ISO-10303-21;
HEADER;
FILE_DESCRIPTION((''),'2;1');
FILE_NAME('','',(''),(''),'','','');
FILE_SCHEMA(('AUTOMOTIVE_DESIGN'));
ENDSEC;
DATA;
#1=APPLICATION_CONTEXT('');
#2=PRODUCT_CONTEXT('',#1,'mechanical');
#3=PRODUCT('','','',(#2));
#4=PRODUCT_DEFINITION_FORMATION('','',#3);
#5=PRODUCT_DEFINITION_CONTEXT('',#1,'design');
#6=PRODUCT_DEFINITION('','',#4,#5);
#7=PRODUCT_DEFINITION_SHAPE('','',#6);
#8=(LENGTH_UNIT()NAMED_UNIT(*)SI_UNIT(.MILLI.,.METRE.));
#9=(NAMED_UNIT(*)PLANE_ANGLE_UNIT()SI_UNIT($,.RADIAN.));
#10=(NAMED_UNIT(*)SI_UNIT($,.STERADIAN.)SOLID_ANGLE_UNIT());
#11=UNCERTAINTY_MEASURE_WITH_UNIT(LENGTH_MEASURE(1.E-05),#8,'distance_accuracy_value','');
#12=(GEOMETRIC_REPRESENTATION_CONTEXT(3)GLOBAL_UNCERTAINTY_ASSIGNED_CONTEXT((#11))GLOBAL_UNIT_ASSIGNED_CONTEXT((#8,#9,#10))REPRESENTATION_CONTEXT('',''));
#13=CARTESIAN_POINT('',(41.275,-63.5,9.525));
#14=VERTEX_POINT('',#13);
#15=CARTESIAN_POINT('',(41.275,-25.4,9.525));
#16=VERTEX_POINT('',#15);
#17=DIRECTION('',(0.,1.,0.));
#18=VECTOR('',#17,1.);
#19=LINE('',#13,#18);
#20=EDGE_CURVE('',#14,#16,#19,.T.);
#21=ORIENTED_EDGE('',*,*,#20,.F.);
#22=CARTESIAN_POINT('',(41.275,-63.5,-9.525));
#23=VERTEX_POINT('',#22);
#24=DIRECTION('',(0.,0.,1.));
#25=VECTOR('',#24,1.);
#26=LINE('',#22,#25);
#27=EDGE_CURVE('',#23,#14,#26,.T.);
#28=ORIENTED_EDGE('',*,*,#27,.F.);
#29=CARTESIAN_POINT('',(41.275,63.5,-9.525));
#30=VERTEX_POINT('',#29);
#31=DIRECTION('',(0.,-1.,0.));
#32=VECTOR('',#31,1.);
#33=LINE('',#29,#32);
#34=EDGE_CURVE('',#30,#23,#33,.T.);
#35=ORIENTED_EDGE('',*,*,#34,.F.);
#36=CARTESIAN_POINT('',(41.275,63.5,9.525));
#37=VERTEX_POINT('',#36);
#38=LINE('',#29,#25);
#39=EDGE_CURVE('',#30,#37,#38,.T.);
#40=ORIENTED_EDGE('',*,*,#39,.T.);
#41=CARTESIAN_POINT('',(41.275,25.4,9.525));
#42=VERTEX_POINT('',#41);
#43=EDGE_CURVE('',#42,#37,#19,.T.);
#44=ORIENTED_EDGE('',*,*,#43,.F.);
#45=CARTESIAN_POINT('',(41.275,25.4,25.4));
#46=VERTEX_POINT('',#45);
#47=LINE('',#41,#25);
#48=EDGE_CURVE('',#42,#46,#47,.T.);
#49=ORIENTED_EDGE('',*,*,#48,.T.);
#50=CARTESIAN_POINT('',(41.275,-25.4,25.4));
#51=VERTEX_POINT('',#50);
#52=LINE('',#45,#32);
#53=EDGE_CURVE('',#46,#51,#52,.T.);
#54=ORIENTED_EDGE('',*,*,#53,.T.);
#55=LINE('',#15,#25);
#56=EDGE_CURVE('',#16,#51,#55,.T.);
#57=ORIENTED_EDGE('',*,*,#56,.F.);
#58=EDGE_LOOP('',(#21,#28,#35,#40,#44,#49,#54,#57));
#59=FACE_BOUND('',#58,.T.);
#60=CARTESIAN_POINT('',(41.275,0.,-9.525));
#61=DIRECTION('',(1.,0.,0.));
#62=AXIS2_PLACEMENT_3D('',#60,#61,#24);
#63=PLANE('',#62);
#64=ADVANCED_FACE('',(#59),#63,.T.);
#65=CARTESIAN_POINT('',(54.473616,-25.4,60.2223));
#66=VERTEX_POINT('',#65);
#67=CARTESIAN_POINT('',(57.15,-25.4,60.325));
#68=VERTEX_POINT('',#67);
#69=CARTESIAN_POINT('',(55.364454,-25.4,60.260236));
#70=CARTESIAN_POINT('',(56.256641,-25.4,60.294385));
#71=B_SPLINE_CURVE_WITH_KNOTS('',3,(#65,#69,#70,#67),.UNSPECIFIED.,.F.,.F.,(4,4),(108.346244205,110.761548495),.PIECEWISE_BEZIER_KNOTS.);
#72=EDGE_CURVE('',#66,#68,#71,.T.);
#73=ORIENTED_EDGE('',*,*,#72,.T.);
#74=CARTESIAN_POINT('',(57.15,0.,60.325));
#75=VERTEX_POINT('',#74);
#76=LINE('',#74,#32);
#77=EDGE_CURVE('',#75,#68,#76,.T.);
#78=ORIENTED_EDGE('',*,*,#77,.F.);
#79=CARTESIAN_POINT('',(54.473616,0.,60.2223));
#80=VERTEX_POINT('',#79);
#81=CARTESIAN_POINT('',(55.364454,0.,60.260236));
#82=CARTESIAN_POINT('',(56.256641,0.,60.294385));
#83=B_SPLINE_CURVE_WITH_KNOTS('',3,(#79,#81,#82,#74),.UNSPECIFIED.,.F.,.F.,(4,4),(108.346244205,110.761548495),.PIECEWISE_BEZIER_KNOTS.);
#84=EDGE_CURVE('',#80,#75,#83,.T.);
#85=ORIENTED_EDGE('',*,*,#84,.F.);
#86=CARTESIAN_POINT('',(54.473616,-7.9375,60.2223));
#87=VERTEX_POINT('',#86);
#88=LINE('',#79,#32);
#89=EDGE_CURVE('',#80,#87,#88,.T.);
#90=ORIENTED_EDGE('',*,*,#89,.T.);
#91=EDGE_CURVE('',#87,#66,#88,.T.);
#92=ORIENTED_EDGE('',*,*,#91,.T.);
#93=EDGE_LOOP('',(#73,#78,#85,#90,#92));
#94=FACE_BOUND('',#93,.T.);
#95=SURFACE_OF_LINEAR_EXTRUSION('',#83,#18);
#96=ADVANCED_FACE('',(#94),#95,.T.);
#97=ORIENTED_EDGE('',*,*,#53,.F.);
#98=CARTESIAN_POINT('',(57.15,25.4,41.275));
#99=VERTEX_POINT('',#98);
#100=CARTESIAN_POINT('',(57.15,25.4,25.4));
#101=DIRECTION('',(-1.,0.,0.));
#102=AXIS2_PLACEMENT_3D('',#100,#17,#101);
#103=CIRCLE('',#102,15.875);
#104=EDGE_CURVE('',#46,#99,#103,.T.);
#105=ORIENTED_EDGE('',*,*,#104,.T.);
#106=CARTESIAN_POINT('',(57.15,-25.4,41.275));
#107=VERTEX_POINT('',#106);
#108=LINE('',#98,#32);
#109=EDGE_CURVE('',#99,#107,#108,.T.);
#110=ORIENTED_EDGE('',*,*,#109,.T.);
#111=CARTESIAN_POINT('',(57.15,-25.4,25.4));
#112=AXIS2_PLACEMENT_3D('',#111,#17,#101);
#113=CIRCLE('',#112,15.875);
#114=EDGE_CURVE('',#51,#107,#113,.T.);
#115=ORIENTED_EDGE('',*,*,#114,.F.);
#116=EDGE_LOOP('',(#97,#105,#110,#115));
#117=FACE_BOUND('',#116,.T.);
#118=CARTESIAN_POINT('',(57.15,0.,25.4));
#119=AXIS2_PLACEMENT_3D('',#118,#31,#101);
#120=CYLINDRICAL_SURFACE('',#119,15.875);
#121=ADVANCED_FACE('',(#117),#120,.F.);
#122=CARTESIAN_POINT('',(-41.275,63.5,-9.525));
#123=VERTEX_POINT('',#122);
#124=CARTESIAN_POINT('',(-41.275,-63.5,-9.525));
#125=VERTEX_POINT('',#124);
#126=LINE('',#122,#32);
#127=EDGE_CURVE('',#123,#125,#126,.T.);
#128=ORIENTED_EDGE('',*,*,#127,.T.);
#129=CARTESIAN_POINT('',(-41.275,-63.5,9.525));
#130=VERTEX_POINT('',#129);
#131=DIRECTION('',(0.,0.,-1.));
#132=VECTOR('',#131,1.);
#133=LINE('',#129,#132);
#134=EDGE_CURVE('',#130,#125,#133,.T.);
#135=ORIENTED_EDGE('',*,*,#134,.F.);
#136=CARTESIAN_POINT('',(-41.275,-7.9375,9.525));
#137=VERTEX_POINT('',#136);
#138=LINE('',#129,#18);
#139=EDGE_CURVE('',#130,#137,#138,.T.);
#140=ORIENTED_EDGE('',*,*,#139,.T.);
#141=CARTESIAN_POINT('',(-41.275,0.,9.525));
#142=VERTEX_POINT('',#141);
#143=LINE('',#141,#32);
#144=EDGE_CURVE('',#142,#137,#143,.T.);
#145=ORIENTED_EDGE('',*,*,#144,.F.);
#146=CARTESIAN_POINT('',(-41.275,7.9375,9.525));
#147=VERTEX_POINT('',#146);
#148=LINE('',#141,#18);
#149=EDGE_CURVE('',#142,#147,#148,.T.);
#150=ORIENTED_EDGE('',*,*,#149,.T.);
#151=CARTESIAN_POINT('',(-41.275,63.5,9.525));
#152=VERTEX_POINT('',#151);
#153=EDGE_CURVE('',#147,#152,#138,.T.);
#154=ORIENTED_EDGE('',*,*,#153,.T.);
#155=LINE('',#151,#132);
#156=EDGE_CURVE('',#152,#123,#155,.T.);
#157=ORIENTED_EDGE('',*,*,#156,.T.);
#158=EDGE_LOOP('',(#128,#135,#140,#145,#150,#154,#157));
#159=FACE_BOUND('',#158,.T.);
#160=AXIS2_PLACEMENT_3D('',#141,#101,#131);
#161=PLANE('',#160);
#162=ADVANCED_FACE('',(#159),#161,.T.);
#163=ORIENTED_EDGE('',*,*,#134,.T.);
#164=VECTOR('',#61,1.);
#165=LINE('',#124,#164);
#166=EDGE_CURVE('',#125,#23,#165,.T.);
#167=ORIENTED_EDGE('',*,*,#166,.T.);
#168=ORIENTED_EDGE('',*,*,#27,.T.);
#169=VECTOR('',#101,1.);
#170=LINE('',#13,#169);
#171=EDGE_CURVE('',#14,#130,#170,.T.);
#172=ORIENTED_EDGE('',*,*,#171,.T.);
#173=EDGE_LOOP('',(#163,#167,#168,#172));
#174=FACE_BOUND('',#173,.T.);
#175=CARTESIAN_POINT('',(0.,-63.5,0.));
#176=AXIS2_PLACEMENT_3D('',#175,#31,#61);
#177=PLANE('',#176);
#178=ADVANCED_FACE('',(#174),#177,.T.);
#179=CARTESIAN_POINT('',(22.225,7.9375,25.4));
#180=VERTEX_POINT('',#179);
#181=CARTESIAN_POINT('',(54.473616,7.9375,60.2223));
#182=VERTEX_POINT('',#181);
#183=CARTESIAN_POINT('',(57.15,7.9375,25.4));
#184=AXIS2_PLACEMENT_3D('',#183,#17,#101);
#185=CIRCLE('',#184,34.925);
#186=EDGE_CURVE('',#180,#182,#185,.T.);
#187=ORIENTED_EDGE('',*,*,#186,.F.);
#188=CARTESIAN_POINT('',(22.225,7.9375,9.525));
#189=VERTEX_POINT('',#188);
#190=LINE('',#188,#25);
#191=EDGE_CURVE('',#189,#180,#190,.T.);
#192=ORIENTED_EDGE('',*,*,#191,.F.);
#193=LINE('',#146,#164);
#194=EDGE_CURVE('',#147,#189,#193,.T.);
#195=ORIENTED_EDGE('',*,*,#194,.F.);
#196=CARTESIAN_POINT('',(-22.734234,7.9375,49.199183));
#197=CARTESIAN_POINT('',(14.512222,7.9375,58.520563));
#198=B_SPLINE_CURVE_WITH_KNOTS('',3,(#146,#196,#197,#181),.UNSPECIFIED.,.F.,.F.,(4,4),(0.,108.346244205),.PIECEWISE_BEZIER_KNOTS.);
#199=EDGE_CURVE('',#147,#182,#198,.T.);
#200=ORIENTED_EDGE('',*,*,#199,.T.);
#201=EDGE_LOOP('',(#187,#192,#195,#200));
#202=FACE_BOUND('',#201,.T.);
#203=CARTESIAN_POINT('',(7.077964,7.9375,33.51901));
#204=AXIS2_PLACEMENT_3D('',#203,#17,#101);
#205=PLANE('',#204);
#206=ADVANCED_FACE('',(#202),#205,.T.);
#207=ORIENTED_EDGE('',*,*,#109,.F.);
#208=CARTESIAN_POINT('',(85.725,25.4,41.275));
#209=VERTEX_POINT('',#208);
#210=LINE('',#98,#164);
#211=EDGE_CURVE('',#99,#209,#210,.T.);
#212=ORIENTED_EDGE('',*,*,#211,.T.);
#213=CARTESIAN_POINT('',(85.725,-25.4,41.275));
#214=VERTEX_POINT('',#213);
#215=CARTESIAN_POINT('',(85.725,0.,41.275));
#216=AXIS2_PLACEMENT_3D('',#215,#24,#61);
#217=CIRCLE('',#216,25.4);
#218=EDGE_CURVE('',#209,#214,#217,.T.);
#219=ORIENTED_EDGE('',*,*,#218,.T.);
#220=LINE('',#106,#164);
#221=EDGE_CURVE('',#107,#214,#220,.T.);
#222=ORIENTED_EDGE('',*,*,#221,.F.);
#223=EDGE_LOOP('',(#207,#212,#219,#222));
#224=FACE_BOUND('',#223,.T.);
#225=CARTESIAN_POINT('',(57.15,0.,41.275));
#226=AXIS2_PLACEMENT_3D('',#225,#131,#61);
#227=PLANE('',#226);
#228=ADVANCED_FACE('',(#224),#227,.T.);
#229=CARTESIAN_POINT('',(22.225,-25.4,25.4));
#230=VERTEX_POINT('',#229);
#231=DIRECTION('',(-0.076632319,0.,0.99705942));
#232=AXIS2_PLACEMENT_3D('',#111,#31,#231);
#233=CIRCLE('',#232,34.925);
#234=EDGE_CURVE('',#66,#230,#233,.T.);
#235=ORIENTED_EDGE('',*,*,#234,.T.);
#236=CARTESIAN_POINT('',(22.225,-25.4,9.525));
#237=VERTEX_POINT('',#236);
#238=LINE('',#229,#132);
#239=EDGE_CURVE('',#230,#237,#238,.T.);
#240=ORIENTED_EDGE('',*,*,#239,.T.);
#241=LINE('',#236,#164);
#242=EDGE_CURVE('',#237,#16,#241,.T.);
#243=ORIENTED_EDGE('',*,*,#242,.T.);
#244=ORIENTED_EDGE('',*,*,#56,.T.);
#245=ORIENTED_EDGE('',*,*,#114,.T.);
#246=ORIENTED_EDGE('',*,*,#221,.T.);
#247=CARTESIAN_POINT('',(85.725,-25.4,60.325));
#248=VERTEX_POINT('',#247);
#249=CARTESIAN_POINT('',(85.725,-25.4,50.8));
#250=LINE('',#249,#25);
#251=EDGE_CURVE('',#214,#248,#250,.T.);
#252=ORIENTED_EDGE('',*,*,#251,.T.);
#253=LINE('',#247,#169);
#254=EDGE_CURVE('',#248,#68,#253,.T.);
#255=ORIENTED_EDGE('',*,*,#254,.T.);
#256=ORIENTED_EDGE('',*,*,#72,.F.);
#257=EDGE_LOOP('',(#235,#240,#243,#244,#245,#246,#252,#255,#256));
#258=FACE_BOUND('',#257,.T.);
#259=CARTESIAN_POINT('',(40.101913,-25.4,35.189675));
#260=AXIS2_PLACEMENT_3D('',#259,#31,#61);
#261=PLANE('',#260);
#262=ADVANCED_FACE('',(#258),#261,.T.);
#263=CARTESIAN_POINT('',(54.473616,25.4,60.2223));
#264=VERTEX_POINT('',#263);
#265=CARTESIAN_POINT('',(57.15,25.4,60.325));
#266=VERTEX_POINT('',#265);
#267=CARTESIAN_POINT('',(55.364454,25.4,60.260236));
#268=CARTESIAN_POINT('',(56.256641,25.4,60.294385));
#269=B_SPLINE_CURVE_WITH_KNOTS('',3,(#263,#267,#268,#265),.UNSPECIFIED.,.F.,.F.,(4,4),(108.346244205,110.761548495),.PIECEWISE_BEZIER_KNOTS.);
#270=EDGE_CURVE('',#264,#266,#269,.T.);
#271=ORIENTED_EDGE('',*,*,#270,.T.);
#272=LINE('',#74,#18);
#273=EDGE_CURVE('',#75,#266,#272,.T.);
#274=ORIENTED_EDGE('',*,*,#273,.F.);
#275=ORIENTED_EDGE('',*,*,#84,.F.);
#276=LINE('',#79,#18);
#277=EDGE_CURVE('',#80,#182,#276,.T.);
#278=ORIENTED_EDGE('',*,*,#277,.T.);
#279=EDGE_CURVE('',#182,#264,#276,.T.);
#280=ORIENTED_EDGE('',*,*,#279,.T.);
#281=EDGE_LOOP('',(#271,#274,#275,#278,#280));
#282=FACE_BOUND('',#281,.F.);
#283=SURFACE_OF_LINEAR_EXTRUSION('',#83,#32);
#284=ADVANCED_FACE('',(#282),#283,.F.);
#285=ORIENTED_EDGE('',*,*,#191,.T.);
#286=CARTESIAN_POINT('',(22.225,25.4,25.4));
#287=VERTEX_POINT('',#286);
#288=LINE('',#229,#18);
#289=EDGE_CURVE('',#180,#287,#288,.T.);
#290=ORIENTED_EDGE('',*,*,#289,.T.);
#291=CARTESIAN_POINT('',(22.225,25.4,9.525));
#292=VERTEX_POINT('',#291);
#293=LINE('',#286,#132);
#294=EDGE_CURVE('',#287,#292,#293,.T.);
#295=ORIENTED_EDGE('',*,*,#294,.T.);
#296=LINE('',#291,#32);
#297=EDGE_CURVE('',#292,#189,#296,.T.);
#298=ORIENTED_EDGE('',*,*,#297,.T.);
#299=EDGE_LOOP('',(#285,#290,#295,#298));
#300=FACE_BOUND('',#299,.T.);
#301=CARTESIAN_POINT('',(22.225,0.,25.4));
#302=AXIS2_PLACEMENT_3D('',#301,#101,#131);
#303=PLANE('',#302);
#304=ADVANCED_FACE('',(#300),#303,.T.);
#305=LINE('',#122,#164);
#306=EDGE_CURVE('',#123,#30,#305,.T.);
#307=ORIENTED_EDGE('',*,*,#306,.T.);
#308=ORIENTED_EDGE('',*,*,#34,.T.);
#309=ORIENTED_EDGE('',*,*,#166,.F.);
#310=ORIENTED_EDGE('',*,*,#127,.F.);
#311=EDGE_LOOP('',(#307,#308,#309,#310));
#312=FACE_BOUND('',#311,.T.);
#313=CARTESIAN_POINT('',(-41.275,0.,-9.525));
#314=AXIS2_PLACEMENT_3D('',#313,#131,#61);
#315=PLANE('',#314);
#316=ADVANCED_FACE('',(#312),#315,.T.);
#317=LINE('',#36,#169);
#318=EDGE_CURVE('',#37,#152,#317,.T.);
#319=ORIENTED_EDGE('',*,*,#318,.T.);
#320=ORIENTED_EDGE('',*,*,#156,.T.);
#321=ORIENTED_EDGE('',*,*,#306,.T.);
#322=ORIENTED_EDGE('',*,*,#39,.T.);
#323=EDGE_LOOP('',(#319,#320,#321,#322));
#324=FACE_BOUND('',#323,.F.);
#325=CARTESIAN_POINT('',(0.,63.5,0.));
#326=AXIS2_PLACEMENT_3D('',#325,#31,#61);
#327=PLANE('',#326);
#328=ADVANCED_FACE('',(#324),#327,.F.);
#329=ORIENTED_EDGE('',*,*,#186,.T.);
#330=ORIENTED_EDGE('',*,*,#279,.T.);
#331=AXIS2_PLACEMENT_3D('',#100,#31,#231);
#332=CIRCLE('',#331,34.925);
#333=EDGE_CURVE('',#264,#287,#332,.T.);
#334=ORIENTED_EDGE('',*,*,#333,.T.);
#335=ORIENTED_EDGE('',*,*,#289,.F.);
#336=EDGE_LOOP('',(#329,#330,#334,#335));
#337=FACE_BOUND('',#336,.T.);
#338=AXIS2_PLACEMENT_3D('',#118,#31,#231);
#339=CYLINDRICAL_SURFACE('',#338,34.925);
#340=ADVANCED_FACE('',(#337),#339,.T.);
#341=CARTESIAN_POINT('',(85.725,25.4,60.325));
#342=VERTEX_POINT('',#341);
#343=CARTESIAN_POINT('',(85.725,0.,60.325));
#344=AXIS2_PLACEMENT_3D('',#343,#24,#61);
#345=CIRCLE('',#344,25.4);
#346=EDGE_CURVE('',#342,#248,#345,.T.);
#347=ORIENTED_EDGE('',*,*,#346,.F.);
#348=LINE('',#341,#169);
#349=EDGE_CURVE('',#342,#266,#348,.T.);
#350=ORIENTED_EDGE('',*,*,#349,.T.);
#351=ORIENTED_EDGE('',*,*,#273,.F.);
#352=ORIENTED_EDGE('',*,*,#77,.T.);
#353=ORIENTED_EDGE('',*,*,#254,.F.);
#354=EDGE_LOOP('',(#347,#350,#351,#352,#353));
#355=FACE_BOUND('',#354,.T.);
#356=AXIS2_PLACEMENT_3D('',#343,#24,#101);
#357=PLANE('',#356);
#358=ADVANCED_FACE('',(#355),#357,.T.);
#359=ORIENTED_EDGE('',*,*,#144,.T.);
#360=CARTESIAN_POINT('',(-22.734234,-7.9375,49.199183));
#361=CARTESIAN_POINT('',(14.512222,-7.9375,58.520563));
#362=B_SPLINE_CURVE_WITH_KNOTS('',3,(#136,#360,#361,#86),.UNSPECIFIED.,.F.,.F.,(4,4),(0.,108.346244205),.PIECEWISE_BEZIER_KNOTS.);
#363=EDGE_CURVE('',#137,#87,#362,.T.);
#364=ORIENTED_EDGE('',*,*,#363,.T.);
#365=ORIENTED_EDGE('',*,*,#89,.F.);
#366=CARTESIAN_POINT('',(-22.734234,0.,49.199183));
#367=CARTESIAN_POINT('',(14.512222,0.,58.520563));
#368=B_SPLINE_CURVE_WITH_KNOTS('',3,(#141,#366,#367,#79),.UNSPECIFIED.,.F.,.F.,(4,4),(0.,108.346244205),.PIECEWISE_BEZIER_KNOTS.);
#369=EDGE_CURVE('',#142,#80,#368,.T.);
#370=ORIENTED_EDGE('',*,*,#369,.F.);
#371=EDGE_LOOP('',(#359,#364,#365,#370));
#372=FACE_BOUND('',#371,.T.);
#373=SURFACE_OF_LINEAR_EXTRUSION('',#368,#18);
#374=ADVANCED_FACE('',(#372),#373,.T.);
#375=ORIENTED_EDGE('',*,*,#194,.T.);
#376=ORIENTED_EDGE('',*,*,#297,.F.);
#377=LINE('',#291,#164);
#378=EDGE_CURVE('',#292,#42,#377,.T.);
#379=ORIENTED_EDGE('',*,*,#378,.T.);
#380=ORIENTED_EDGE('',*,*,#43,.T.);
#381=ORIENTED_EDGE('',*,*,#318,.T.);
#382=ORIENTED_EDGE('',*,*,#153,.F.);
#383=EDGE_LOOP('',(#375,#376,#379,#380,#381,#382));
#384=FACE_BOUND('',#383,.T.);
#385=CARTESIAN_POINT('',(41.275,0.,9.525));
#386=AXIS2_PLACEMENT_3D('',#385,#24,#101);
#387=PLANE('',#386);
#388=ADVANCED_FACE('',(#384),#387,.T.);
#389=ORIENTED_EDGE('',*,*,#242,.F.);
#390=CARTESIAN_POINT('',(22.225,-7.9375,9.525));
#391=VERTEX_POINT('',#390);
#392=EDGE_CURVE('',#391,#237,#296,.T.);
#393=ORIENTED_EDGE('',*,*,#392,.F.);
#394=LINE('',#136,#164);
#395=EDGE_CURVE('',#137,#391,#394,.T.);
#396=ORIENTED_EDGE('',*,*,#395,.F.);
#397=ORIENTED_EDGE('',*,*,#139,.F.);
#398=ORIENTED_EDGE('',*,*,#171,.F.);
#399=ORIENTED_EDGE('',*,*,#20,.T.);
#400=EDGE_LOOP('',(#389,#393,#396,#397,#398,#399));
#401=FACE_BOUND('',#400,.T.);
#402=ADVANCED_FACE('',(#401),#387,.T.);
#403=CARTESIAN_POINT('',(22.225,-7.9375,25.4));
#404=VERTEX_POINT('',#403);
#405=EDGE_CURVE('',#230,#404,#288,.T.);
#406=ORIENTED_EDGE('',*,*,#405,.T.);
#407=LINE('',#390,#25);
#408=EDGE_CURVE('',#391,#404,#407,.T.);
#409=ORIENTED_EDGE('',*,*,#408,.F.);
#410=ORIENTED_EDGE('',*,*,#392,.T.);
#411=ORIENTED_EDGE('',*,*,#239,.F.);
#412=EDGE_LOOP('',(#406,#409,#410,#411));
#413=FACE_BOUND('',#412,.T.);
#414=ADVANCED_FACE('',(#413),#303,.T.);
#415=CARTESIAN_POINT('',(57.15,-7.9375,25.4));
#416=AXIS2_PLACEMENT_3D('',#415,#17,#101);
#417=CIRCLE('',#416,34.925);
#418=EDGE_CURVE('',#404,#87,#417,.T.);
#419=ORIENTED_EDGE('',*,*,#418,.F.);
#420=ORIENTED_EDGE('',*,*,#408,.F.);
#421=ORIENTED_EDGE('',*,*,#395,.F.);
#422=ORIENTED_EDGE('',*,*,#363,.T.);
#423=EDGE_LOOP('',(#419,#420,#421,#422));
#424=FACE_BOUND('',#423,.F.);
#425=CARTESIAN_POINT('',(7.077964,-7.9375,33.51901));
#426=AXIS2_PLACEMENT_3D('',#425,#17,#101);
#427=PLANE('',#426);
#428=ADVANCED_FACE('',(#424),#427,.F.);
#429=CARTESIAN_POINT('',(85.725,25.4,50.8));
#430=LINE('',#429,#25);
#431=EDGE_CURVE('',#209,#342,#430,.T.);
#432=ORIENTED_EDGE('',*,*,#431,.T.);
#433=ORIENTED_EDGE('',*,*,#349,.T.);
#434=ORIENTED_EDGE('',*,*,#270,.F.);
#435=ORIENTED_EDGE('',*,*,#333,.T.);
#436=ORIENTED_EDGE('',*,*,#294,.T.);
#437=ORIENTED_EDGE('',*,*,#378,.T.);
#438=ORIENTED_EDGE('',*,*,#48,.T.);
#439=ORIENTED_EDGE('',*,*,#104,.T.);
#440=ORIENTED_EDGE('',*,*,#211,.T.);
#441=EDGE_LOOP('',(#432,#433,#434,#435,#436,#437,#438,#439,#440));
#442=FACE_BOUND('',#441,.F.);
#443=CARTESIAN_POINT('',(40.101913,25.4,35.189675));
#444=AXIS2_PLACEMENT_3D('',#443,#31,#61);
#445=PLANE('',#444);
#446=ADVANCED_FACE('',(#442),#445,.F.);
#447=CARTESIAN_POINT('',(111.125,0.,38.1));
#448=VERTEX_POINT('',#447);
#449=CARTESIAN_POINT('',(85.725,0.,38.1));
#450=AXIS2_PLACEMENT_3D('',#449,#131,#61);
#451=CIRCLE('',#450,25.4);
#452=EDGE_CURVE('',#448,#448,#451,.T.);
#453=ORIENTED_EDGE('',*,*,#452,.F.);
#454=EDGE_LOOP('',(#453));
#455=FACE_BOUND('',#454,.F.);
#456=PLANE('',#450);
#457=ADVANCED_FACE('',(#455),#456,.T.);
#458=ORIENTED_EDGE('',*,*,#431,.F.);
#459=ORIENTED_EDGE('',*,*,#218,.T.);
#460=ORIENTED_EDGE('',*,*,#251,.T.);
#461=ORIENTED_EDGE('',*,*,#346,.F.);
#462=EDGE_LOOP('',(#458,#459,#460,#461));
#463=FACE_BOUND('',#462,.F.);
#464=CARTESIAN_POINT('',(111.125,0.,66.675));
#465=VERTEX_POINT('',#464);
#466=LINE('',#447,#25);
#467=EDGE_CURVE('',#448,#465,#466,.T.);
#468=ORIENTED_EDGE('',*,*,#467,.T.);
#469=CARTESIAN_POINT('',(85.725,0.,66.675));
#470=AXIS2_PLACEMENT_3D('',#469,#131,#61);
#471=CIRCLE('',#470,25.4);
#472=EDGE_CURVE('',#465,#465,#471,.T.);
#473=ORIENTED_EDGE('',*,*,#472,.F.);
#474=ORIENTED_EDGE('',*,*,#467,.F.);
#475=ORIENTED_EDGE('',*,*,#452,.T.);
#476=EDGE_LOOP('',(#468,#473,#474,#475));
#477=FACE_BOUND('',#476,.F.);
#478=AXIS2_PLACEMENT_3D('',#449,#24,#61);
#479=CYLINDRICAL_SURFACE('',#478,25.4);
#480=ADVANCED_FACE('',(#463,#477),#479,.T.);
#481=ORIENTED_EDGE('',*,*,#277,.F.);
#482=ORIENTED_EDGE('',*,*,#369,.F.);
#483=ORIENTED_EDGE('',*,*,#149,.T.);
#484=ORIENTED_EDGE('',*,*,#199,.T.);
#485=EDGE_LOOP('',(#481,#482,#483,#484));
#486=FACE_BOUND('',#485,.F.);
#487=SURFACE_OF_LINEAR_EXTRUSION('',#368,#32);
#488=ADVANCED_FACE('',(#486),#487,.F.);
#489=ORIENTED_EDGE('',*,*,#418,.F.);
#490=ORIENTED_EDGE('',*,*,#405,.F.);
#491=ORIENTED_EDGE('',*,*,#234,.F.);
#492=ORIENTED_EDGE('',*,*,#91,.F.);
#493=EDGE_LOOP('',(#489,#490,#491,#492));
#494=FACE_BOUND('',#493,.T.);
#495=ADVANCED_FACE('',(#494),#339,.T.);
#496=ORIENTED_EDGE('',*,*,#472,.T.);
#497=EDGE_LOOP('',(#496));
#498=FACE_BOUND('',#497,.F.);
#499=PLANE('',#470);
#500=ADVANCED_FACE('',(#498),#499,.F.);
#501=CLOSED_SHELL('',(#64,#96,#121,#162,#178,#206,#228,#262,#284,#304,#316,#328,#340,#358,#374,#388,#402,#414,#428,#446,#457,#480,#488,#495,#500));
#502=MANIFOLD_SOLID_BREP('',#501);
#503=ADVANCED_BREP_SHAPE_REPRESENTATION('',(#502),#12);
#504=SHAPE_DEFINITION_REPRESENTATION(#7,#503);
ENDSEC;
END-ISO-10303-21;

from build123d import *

# Parameters (mm, degrees)
F1_DEPTH = 63.5
F0_W     = 25.4
F0_H     = 19.05
F2_DEPTH = 25.4
F3_DEPTH = 7.9375


with BuildPart() as f1:
    # F0 (on Front) → F1 (new body, symmetric)
    with BuildSketch(Plane.XZ):
        Polygon((22.225, 9.525), (-41.275, 9.525), (-41.275, -9.525), (41.275, -9.525), (41.275, 9.525), align=None)
    extrude(amount=F1_DEPTH, both=True)

    # F0 (on Front) → F2 (join, symmetric)
    with BuildSketch(Plane.XZ):
        with BuildLine():
            Line((22.225, 25.4), (22.225, 9.525))
            Line((22.225, 9.525), (41.275, 9.525))
            Line((41.275, 9.525), (41.275, 25.4))
            ThreePointArc((41.275, 25.4), (45.9246798487, 36.6253201513), (57.15, 41.275))
            Line((57.15, 41.275), (60.325, 41.275))
            Line((60.325, 41.275), (60.325, 60.325))
            Line((60.325, 60.325), (57.15, 60.325))
            add(Edge.make_bspline(
                [(54.4736162544, 60.222300255), (55.3644540215, 60.2602361648), (56.2566409869, 60.2943854647), (57.15, 60.325)],
                knots=[108.3462442053, 108.3462442053, 108.3462442053, 108.3462442053, 110.761548495, 110.761548495, 110.761548495, 110.761548495], degree=3))
            ThreePointArc((54.4736162544, 60.222300255), (31.5255163241, 49.1306017906), (22.225, 25.4))
        make_face()
        with Locations((73.025, 50.8)):
            Rectangle(F0_W, F0_H)
    extrude(amount=F2_DEPTH, both=True)

    # F0 (on Front) → F3 (join, symmetric)
    with BuildSketch(Plane.XZ):
        with BuildLine():
            add(Edge.make_bspline(
                [(-41.275, 9.525), (-22.7342342872, 49.1991834723), (14.5122222919, 58.5205629773), (54.4736162544, 60.222300255)],
                knots=[0, 0, 0, 0, 108.3462442053, 108.3462442053, 108.3462442053, 108.3462442053], degree=3))
            Line((-41.275, 9.525), (22.225, 9.525))
            Line((22.225, 9.525), (22.225, 25.4))
            ThreePointArc((22.225, 25.4), (31.5255163241, 49.1306017906), (54.4736162544, 60.222300255))
        make_face()
    extrude(amount=F3_DEPTH, both=True)

    # F0 (on Front) → F4 (revolve)
    with BuildSketch(Plane.XZ):
        Polygon((85.725, 66.675), (85.725, 60.325), (85.725, 41.275), (85.725, 38.1), (111.125, 38.1), (111.125, 66.675), align=None)
    revolve(axis=Axis((85.725, 0, 53.975), (0, 0, -1)))


solid = f1.part
